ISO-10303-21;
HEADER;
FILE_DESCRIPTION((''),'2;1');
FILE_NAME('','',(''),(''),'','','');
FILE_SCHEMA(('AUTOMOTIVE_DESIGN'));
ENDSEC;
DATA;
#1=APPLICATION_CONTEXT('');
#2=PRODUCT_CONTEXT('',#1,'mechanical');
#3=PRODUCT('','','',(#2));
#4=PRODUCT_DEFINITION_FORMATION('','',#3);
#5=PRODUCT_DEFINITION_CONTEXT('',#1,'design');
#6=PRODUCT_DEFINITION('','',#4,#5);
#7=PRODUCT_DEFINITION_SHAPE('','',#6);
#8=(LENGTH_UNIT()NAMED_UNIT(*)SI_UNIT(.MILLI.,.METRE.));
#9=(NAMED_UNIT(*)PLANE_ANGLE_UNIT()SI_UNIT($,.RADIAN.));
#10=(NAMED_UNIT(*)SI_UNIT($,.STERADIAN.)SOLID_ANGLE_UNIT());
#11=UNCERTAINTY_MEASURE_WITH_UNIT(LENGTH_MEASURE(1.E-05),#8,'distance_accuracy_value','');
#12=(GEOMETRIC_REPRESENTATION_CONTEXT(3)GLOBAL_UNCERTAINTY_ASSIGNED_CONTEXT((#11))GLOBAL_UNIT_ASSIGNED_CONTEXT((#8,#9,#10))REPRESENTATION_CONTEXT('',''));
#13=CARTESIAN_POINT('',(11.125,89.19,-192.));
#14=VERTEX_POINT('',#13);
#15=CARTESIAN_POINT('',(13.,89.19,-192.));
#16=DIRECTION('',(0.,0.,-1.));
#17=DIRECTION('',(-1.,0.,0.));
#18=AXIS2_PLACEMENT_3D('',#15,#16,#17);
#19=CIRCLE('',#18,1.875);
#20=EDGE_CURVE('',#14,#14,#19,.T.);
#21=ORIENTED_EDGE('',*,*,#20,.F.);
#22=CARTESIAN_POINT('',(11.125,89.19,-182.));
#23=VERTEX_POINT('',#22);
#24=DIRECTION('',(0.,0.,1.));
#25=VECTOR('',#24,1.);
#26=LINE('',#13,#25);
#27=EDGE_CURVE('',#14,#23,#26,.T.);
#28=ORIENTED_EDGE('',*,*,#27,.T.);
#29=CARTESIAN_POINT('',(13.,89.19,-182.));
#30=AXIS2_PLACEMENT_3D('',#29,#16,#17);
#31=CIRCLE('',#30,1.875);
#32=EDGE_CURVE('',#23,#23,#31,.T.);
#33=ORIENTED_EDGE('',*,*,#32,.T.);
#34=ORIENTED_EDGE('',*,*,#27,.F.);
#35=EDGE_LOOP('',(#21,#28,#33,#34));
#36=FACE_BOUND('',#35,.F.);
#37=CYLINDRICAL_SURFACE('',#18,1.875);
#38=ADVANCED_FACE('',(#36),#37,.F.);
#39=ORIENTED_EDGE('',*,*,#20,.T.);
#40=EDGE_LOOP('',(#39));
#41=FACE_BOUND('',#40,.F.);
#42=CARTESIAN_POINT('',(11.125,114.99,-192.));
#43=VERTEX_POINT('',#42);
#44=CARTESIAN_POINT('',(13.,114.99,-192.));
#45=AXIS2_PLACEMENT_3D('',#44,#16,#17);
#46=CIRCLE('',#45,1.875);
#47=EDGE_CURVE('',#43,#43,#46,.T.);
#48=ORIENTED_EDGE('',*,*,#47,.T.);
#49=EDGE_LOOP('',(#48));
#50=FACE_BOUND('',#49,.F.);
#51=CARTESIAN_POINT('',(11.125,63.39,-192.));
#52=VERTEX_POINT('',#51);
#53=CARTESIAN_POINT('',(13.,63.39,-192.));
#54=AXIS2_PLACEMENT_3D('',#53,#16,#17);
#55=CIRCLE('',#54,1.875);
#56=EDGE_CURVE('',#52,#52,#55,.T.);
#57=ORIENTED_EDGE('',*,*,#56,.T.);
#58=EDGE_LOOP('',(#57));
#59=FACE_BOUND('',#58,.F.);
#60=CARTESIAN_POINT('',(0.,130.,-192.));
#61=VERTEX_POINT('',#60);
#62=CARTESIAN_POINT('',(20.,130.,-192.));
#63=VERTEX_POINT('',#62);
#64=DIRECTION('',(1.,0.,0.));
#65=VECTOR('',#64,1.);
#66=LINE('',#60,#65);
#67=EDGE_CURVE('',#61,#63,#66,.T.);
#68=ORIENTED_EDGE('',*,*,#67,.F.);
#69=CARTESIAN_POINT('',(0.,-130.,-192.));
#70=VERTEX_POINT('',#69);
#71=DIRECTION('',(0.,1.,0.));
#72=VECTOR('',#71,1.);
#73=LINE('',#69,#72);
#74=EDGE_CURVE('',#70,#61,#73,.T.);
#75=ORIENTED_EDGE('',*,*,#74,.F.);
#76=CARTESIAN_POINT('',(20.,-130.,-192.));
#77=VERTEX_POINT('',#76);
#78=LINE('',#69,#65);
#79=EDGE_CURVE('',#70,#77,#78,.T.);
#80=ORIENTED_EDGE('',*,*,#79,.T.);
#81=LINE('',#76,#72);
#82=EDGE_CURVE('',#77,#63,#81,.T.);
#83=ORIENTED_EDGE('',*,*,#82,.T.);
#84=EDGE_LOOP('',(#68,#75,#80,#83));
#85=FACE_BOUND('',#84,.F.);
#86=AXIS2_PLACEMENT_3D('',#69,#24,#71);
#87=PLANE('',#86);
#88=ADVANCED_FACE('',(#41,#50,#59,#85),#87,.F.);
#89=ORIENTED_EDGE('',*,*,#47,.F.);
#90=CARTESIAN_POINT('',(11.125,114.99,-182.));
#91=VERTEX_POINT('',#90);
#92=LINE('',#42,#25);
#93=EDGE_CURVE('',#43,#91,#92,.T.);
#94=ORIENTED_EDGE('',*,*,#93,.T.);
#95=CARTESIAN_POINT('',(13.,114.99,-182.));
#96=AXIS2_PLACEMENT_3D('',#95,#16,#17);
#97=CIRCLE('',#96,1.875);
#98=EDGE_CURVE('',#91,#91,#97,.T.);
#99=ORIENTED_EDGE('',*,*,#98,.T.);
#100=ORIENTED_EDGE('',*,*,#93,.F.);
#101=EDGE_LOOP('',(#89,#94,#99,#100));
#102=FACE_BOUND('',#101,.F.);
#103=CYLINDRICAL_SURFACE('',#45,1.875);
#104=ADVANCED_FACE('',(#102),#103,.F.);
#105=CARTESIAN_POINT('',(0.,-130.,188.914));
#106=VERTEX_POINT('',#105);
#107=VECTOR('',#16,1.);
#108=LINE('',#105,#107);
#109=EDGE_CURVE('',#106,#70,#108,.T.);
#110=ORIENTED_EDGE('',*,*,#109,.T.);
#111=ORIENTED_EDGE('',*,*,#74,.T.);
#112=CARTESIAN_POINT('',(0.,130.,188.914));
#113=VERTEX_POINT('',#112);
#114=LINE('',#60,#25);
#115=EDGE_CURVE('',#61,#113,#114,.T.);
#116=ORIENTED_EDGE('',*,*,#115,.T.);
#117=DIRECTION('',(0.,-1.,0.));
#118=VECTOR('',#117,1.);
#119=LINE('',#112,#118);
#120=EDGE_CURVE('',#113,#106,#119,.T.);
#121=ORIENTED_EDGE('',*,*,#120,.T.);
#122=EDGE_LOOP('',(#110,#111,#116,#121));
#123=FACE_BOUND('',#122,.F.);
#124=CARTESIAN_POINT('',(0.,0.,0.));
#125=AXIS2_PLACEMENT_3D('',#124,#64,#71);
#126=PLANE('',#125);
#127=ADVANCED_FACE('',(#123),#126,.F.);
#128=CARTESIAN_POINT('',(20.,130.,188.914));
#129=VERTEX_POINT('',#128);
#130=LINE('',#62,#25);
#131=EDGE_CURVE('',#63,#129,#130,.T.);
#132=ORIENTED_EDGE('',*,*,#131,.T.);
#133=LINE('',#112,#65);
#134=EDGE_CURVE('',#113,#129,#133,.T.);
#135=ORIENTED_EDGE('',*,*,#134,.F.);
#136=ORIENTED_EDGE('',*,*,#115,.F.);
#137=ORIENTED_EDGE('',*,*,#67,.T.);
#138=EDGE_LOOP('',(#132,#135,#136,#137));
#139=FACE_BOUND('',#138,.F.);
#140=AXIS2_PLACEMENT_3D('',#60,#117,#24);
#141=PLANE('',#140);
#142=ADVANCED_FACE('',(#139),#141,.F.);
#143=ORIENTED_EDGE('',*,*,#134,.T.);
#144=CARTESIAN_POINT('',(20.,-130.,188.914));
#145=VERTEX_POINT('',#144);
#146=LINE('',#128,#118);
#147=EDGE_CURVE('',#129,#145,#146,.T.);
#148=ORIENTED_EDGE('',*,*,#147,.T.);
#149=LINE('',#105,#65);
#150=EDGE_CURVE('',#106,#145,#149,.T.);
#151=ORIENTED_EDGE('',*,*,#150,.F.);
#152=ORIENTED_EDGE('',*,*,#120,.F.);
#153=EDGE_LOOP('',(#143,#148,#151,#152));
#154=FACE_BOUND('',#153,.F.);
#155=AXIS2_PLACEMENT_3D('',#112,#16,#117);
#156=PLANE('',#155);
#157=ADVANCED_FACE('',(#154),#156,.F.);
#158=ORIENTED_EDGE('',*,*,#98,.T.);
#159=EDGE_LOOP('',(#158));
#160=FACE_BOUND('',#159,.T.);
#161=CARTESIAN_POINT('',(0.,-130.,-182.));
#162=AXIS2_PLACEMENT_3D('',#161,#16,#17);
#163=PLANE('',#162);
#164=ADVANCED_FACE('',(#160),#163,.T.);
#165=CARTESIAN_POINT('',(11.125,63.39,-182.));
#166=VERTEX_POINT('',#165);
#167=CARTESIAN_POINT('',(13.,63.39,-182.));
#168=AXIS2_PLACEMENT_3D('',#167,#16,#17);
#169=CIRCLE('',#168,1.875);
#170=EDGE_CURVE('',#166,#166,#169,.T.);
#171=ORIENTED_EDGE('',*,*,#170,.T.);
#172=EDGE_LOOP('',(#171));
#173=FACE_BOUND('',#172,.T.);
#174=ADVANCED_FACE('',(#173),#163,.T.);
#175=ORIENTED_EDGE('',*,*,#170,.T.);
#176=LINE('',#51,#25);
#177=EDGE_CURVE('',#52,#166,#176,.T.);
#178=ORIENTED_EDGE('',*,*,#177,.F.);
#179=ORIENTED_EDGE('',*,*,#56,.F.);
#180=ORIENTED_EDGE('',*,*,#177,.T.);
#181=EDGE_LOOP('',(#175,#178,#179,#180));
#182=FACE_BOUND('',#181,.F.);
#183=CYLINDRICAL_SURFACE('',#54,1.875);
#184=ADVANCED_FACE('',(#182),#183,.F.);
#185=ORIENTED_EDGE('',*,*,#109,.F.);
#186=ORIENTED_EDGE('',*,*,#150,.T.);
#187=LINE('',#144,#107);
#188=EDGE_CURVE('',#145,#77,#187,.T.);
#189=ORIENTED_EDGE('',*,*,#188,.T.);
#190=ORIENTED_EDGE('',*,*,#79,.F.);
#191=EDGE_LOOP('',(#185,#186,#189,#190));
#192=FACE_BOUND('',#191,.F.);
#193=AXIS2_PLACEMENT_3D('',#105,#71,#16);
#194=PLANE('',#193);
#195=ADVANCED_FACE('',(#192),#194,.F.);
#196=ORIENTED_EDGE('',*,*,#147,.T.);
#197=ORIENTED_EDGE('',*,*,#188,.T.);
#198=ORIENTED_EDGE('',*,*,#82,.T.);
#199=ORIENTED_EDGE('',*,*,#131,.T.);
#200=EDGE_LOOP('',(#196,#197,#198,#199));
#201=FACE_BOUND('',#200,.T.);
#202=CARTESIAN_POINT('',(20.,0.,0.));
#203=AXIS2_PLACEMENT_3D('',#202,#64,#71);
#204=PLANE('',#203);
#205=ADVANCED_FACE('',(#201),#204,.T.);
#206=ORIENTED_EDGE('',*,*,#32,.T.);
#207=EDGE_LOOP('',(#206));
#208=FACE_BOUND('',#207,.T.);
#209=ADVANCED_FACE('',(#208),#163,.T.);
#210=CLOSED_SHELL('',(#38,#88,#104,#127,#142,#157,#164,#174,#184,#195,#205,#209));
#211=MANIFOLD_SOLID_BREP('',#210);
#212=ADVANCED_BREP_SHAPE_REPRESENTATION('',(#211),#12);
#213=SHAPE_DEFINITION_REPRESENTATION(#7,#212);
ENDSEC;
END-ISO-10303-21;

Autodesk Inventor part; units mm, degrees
ref_plane "YZ Plane" through (0, 0, 0) normal (1, 0, 0) x (0, 1, 0)
ref_plane "XZ Plane" through (0, 0, 0) normal (0, 1, 0) x (-1, 0, 0)
ref_plane "XY Plane" through (0, 0, 0) normal (0, 0, 1) x (1, 0, 0)
sketch "Sketch1" plane through (0, 0, 0) normal (1, 0, 0) x (0, 1, 0)
  line L0 (-130, 188.914) -> (-130, -192)
  line L1 (-130, -192) -> (130, -192)
  line L2 (130, -192) -> (130, 188.914)
  line L3 (130, 188.914) -> (-130, 188.914)
  line L4 (130, 188.914) -> (390, 188.914) construction
  dimension "d0" = 260
  dimension "d15" = 180
extrude "Extrusion1" add sketch "Sketch1" along normal blind 20
sketch "Sketch2" plane through (0, -130, -192) normal (0, 0, -1) x (-1, 0, 0)
  circle A0 centre (-13, 244.99) radius 1.875
  circle A1 centre (-13, 219.19) radius 1.875
  circle A2 centre (-13, 193.39) radius 1.875
  line L0 (0, 260) -> (-20, 260) projected
  line L1 (0, 0) -> (0, 260) projected
  point P0 (0, 130)
  dimension "d4" = 3.75
  dimension "d5" = 3.75
  dimension "d6" = 3.75
  dimension "d7" = 15.01
  dimension "d8" = 25.8
  dimension "d9" = 25.8
  dimension "d10" = 13
extrude "Extrusion2" cut sketch "Sketch2" against normal blind 10
properties part number "Control Box Cover"
